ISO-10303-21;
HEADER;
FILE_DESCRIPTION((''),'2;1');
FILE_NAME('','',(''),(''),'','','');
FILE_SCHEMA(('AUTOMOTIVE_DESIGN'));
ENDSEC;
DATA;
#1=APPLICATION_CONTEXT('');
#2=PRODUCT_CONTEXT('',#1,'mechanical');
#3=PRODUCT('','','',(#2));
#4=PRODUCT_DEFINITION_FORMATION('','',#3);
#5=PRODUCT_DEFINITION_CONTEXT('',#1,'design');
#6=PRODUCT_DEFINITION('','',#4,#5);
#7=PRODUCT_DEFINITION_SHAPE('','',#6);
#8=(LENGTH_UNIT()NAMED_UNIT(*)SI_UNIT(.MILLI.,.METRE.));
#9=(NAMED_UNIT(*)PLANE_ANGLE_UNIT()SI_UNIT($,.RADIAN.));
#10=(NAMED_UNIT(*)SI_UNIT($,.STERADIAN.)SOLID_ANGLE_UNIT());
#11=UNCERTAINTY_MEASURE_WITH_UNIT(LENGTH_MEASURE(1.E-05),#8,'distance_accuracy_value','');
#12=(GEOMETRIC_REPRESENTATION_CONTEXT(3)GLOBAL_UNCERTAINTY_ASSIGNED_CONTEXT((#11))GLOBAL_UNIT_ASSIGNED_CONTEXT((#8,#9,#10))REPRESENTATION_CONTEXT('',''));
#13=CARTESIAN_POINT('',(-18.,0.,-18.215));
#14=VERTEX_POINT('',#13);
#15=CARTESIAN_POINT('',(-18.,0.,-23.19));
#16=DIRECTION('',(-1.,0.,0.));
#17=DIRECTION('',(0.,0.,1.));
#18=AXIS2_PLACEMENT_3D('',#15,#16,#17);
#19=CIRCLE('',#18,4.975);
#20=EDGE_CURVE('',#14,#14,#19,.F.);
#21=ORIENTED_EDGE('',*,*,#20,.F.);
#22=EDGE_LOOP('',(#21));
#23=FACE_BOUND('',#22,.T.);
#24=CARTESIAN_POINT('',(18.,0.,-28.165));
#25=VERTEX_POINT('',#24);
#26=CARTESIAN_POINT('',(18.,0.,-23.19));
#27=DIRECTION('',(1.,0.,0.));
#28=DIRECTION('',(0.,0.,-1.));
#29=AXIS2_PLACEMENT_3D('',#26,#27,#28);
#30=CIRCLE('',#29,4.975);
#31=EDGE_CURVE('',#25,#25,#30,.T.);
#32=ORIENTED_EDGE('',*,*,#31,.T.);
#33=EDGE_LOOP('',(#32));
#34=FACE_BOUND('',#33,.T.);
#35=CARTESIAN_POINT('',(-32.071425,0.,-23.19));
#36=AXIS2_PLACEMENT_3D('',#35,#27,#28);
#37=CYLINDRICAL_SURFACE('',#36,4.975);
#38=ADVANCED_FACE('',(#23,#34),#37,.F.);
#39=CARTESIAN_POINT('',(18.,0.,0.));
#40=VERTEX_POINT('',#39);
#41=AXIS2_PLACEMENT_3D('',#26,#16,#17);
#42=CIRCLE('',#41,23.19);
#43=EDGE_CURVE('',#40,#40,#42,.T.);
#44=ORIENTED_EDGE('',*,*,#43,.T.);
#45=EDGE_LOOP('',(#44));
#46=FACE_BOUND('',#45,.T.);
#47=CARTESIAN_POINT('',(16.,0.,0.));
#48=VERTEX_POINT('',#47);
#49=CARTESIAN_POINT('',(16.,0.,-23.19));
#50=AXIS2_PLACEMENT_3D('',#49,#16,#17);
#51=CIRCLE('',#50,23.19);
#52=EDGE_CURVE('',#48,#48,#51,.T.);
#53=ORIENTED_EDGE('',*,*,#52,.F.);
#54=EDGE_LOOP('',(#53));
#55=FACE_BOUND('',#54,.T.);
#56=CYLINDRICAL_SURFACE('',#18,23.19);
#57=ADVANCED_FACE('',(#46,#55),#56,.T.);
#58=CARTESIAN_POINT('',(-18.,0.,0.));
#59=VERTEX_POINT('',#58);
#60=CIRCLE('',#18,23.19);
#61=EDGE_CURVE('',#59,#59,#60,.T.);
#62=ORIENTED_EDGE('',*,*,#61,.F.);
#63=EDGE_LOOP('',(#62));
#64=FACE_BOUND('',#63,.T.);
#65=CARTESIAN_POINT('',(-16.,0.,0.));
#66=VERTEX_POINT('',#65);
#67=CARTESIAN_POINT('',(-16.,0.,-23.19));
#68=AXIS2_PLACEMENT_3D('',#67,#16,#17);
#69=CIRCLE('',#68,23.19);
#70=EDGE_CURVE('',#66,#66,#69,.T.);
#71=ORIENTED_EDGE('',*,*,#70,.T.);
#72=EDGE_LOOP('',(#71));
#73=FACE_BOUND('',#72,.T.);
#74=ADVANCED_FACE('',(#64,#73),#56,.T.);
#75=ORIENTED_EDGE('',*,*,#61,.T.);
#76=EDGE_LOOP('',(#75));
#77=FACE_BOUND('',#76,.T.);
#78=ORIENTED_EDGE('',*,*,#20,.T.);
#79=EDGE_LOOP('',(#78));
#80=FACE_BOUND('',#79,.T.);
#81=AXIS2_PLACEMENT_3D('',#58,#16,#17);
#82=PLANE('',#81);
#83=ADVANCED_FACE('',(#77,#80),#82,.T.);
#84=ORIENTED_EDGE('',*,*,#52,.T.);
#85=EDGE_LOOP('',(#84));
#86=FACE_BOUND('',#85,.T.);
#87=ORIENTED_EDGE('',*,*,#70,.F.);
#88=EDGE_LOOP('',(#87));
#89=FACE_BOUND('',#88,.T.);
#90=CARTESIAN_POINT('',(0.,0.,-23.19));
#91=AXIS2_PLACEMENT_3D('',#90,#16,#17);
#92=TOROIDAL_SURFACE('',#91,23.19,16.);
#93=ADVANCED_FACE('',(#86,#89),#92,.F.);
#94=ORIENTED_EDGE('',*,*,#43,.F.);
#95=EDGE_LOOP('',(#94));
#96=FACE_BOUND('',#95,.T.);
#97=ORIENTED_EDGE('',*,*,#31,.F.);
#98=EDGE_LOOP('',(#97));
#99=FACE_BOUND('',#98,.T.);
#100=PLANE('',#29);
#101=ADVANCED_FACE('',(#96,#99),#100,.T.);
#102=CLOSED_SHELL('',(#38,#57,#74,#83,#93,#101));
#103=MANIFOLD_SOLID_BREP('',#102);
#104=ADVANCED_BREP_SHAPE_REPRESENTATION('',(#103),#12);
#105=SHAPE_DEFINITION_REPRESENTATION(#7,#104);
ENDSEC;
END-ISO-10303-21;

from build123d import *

# Parameters (mm, degrees)
SKETCH2_R          = 4.975
CUT_EXTRUDE1_DEPTH = 36


with BuildPart() as part:
    # Sketch1 → Revolve1 (revolve)
    with BuildSketch(Plane(origin=(0, 0, 0), x_dir=(1, 0, 0), z_dir=(0, 1, 0))):
        with BuildLine():
            Line((-16, 0), (-18, 0))
            Line((-18, 0), (-18, 23.19))
            Line((-18, 23.19), (18, 23.19))
            Line((18, 23.19), (18, 0))
            Line((18, 0), (16, 0))
            ThreePointArc((16, 0), (0, 16), (-16, 0))
        make_face()
    revolve(axis=Axis((-18, 0, -23.19), (1, 0, 0)))

    # Sketch2 → Cut-Extrude1 (cut)
    with BuildSketch(Plane(origin=(18, 0, 0), x_dir=(0, 0, -1), z_dir=(1, 0, 0))):
        with Locations((23.19, 0)):
            Circle(SKETCH2_R)
    extrude(amount=-CUT_EXTRUDE1_DEPTH, mode=Mode.SUBTRACT)


solid = part.part
